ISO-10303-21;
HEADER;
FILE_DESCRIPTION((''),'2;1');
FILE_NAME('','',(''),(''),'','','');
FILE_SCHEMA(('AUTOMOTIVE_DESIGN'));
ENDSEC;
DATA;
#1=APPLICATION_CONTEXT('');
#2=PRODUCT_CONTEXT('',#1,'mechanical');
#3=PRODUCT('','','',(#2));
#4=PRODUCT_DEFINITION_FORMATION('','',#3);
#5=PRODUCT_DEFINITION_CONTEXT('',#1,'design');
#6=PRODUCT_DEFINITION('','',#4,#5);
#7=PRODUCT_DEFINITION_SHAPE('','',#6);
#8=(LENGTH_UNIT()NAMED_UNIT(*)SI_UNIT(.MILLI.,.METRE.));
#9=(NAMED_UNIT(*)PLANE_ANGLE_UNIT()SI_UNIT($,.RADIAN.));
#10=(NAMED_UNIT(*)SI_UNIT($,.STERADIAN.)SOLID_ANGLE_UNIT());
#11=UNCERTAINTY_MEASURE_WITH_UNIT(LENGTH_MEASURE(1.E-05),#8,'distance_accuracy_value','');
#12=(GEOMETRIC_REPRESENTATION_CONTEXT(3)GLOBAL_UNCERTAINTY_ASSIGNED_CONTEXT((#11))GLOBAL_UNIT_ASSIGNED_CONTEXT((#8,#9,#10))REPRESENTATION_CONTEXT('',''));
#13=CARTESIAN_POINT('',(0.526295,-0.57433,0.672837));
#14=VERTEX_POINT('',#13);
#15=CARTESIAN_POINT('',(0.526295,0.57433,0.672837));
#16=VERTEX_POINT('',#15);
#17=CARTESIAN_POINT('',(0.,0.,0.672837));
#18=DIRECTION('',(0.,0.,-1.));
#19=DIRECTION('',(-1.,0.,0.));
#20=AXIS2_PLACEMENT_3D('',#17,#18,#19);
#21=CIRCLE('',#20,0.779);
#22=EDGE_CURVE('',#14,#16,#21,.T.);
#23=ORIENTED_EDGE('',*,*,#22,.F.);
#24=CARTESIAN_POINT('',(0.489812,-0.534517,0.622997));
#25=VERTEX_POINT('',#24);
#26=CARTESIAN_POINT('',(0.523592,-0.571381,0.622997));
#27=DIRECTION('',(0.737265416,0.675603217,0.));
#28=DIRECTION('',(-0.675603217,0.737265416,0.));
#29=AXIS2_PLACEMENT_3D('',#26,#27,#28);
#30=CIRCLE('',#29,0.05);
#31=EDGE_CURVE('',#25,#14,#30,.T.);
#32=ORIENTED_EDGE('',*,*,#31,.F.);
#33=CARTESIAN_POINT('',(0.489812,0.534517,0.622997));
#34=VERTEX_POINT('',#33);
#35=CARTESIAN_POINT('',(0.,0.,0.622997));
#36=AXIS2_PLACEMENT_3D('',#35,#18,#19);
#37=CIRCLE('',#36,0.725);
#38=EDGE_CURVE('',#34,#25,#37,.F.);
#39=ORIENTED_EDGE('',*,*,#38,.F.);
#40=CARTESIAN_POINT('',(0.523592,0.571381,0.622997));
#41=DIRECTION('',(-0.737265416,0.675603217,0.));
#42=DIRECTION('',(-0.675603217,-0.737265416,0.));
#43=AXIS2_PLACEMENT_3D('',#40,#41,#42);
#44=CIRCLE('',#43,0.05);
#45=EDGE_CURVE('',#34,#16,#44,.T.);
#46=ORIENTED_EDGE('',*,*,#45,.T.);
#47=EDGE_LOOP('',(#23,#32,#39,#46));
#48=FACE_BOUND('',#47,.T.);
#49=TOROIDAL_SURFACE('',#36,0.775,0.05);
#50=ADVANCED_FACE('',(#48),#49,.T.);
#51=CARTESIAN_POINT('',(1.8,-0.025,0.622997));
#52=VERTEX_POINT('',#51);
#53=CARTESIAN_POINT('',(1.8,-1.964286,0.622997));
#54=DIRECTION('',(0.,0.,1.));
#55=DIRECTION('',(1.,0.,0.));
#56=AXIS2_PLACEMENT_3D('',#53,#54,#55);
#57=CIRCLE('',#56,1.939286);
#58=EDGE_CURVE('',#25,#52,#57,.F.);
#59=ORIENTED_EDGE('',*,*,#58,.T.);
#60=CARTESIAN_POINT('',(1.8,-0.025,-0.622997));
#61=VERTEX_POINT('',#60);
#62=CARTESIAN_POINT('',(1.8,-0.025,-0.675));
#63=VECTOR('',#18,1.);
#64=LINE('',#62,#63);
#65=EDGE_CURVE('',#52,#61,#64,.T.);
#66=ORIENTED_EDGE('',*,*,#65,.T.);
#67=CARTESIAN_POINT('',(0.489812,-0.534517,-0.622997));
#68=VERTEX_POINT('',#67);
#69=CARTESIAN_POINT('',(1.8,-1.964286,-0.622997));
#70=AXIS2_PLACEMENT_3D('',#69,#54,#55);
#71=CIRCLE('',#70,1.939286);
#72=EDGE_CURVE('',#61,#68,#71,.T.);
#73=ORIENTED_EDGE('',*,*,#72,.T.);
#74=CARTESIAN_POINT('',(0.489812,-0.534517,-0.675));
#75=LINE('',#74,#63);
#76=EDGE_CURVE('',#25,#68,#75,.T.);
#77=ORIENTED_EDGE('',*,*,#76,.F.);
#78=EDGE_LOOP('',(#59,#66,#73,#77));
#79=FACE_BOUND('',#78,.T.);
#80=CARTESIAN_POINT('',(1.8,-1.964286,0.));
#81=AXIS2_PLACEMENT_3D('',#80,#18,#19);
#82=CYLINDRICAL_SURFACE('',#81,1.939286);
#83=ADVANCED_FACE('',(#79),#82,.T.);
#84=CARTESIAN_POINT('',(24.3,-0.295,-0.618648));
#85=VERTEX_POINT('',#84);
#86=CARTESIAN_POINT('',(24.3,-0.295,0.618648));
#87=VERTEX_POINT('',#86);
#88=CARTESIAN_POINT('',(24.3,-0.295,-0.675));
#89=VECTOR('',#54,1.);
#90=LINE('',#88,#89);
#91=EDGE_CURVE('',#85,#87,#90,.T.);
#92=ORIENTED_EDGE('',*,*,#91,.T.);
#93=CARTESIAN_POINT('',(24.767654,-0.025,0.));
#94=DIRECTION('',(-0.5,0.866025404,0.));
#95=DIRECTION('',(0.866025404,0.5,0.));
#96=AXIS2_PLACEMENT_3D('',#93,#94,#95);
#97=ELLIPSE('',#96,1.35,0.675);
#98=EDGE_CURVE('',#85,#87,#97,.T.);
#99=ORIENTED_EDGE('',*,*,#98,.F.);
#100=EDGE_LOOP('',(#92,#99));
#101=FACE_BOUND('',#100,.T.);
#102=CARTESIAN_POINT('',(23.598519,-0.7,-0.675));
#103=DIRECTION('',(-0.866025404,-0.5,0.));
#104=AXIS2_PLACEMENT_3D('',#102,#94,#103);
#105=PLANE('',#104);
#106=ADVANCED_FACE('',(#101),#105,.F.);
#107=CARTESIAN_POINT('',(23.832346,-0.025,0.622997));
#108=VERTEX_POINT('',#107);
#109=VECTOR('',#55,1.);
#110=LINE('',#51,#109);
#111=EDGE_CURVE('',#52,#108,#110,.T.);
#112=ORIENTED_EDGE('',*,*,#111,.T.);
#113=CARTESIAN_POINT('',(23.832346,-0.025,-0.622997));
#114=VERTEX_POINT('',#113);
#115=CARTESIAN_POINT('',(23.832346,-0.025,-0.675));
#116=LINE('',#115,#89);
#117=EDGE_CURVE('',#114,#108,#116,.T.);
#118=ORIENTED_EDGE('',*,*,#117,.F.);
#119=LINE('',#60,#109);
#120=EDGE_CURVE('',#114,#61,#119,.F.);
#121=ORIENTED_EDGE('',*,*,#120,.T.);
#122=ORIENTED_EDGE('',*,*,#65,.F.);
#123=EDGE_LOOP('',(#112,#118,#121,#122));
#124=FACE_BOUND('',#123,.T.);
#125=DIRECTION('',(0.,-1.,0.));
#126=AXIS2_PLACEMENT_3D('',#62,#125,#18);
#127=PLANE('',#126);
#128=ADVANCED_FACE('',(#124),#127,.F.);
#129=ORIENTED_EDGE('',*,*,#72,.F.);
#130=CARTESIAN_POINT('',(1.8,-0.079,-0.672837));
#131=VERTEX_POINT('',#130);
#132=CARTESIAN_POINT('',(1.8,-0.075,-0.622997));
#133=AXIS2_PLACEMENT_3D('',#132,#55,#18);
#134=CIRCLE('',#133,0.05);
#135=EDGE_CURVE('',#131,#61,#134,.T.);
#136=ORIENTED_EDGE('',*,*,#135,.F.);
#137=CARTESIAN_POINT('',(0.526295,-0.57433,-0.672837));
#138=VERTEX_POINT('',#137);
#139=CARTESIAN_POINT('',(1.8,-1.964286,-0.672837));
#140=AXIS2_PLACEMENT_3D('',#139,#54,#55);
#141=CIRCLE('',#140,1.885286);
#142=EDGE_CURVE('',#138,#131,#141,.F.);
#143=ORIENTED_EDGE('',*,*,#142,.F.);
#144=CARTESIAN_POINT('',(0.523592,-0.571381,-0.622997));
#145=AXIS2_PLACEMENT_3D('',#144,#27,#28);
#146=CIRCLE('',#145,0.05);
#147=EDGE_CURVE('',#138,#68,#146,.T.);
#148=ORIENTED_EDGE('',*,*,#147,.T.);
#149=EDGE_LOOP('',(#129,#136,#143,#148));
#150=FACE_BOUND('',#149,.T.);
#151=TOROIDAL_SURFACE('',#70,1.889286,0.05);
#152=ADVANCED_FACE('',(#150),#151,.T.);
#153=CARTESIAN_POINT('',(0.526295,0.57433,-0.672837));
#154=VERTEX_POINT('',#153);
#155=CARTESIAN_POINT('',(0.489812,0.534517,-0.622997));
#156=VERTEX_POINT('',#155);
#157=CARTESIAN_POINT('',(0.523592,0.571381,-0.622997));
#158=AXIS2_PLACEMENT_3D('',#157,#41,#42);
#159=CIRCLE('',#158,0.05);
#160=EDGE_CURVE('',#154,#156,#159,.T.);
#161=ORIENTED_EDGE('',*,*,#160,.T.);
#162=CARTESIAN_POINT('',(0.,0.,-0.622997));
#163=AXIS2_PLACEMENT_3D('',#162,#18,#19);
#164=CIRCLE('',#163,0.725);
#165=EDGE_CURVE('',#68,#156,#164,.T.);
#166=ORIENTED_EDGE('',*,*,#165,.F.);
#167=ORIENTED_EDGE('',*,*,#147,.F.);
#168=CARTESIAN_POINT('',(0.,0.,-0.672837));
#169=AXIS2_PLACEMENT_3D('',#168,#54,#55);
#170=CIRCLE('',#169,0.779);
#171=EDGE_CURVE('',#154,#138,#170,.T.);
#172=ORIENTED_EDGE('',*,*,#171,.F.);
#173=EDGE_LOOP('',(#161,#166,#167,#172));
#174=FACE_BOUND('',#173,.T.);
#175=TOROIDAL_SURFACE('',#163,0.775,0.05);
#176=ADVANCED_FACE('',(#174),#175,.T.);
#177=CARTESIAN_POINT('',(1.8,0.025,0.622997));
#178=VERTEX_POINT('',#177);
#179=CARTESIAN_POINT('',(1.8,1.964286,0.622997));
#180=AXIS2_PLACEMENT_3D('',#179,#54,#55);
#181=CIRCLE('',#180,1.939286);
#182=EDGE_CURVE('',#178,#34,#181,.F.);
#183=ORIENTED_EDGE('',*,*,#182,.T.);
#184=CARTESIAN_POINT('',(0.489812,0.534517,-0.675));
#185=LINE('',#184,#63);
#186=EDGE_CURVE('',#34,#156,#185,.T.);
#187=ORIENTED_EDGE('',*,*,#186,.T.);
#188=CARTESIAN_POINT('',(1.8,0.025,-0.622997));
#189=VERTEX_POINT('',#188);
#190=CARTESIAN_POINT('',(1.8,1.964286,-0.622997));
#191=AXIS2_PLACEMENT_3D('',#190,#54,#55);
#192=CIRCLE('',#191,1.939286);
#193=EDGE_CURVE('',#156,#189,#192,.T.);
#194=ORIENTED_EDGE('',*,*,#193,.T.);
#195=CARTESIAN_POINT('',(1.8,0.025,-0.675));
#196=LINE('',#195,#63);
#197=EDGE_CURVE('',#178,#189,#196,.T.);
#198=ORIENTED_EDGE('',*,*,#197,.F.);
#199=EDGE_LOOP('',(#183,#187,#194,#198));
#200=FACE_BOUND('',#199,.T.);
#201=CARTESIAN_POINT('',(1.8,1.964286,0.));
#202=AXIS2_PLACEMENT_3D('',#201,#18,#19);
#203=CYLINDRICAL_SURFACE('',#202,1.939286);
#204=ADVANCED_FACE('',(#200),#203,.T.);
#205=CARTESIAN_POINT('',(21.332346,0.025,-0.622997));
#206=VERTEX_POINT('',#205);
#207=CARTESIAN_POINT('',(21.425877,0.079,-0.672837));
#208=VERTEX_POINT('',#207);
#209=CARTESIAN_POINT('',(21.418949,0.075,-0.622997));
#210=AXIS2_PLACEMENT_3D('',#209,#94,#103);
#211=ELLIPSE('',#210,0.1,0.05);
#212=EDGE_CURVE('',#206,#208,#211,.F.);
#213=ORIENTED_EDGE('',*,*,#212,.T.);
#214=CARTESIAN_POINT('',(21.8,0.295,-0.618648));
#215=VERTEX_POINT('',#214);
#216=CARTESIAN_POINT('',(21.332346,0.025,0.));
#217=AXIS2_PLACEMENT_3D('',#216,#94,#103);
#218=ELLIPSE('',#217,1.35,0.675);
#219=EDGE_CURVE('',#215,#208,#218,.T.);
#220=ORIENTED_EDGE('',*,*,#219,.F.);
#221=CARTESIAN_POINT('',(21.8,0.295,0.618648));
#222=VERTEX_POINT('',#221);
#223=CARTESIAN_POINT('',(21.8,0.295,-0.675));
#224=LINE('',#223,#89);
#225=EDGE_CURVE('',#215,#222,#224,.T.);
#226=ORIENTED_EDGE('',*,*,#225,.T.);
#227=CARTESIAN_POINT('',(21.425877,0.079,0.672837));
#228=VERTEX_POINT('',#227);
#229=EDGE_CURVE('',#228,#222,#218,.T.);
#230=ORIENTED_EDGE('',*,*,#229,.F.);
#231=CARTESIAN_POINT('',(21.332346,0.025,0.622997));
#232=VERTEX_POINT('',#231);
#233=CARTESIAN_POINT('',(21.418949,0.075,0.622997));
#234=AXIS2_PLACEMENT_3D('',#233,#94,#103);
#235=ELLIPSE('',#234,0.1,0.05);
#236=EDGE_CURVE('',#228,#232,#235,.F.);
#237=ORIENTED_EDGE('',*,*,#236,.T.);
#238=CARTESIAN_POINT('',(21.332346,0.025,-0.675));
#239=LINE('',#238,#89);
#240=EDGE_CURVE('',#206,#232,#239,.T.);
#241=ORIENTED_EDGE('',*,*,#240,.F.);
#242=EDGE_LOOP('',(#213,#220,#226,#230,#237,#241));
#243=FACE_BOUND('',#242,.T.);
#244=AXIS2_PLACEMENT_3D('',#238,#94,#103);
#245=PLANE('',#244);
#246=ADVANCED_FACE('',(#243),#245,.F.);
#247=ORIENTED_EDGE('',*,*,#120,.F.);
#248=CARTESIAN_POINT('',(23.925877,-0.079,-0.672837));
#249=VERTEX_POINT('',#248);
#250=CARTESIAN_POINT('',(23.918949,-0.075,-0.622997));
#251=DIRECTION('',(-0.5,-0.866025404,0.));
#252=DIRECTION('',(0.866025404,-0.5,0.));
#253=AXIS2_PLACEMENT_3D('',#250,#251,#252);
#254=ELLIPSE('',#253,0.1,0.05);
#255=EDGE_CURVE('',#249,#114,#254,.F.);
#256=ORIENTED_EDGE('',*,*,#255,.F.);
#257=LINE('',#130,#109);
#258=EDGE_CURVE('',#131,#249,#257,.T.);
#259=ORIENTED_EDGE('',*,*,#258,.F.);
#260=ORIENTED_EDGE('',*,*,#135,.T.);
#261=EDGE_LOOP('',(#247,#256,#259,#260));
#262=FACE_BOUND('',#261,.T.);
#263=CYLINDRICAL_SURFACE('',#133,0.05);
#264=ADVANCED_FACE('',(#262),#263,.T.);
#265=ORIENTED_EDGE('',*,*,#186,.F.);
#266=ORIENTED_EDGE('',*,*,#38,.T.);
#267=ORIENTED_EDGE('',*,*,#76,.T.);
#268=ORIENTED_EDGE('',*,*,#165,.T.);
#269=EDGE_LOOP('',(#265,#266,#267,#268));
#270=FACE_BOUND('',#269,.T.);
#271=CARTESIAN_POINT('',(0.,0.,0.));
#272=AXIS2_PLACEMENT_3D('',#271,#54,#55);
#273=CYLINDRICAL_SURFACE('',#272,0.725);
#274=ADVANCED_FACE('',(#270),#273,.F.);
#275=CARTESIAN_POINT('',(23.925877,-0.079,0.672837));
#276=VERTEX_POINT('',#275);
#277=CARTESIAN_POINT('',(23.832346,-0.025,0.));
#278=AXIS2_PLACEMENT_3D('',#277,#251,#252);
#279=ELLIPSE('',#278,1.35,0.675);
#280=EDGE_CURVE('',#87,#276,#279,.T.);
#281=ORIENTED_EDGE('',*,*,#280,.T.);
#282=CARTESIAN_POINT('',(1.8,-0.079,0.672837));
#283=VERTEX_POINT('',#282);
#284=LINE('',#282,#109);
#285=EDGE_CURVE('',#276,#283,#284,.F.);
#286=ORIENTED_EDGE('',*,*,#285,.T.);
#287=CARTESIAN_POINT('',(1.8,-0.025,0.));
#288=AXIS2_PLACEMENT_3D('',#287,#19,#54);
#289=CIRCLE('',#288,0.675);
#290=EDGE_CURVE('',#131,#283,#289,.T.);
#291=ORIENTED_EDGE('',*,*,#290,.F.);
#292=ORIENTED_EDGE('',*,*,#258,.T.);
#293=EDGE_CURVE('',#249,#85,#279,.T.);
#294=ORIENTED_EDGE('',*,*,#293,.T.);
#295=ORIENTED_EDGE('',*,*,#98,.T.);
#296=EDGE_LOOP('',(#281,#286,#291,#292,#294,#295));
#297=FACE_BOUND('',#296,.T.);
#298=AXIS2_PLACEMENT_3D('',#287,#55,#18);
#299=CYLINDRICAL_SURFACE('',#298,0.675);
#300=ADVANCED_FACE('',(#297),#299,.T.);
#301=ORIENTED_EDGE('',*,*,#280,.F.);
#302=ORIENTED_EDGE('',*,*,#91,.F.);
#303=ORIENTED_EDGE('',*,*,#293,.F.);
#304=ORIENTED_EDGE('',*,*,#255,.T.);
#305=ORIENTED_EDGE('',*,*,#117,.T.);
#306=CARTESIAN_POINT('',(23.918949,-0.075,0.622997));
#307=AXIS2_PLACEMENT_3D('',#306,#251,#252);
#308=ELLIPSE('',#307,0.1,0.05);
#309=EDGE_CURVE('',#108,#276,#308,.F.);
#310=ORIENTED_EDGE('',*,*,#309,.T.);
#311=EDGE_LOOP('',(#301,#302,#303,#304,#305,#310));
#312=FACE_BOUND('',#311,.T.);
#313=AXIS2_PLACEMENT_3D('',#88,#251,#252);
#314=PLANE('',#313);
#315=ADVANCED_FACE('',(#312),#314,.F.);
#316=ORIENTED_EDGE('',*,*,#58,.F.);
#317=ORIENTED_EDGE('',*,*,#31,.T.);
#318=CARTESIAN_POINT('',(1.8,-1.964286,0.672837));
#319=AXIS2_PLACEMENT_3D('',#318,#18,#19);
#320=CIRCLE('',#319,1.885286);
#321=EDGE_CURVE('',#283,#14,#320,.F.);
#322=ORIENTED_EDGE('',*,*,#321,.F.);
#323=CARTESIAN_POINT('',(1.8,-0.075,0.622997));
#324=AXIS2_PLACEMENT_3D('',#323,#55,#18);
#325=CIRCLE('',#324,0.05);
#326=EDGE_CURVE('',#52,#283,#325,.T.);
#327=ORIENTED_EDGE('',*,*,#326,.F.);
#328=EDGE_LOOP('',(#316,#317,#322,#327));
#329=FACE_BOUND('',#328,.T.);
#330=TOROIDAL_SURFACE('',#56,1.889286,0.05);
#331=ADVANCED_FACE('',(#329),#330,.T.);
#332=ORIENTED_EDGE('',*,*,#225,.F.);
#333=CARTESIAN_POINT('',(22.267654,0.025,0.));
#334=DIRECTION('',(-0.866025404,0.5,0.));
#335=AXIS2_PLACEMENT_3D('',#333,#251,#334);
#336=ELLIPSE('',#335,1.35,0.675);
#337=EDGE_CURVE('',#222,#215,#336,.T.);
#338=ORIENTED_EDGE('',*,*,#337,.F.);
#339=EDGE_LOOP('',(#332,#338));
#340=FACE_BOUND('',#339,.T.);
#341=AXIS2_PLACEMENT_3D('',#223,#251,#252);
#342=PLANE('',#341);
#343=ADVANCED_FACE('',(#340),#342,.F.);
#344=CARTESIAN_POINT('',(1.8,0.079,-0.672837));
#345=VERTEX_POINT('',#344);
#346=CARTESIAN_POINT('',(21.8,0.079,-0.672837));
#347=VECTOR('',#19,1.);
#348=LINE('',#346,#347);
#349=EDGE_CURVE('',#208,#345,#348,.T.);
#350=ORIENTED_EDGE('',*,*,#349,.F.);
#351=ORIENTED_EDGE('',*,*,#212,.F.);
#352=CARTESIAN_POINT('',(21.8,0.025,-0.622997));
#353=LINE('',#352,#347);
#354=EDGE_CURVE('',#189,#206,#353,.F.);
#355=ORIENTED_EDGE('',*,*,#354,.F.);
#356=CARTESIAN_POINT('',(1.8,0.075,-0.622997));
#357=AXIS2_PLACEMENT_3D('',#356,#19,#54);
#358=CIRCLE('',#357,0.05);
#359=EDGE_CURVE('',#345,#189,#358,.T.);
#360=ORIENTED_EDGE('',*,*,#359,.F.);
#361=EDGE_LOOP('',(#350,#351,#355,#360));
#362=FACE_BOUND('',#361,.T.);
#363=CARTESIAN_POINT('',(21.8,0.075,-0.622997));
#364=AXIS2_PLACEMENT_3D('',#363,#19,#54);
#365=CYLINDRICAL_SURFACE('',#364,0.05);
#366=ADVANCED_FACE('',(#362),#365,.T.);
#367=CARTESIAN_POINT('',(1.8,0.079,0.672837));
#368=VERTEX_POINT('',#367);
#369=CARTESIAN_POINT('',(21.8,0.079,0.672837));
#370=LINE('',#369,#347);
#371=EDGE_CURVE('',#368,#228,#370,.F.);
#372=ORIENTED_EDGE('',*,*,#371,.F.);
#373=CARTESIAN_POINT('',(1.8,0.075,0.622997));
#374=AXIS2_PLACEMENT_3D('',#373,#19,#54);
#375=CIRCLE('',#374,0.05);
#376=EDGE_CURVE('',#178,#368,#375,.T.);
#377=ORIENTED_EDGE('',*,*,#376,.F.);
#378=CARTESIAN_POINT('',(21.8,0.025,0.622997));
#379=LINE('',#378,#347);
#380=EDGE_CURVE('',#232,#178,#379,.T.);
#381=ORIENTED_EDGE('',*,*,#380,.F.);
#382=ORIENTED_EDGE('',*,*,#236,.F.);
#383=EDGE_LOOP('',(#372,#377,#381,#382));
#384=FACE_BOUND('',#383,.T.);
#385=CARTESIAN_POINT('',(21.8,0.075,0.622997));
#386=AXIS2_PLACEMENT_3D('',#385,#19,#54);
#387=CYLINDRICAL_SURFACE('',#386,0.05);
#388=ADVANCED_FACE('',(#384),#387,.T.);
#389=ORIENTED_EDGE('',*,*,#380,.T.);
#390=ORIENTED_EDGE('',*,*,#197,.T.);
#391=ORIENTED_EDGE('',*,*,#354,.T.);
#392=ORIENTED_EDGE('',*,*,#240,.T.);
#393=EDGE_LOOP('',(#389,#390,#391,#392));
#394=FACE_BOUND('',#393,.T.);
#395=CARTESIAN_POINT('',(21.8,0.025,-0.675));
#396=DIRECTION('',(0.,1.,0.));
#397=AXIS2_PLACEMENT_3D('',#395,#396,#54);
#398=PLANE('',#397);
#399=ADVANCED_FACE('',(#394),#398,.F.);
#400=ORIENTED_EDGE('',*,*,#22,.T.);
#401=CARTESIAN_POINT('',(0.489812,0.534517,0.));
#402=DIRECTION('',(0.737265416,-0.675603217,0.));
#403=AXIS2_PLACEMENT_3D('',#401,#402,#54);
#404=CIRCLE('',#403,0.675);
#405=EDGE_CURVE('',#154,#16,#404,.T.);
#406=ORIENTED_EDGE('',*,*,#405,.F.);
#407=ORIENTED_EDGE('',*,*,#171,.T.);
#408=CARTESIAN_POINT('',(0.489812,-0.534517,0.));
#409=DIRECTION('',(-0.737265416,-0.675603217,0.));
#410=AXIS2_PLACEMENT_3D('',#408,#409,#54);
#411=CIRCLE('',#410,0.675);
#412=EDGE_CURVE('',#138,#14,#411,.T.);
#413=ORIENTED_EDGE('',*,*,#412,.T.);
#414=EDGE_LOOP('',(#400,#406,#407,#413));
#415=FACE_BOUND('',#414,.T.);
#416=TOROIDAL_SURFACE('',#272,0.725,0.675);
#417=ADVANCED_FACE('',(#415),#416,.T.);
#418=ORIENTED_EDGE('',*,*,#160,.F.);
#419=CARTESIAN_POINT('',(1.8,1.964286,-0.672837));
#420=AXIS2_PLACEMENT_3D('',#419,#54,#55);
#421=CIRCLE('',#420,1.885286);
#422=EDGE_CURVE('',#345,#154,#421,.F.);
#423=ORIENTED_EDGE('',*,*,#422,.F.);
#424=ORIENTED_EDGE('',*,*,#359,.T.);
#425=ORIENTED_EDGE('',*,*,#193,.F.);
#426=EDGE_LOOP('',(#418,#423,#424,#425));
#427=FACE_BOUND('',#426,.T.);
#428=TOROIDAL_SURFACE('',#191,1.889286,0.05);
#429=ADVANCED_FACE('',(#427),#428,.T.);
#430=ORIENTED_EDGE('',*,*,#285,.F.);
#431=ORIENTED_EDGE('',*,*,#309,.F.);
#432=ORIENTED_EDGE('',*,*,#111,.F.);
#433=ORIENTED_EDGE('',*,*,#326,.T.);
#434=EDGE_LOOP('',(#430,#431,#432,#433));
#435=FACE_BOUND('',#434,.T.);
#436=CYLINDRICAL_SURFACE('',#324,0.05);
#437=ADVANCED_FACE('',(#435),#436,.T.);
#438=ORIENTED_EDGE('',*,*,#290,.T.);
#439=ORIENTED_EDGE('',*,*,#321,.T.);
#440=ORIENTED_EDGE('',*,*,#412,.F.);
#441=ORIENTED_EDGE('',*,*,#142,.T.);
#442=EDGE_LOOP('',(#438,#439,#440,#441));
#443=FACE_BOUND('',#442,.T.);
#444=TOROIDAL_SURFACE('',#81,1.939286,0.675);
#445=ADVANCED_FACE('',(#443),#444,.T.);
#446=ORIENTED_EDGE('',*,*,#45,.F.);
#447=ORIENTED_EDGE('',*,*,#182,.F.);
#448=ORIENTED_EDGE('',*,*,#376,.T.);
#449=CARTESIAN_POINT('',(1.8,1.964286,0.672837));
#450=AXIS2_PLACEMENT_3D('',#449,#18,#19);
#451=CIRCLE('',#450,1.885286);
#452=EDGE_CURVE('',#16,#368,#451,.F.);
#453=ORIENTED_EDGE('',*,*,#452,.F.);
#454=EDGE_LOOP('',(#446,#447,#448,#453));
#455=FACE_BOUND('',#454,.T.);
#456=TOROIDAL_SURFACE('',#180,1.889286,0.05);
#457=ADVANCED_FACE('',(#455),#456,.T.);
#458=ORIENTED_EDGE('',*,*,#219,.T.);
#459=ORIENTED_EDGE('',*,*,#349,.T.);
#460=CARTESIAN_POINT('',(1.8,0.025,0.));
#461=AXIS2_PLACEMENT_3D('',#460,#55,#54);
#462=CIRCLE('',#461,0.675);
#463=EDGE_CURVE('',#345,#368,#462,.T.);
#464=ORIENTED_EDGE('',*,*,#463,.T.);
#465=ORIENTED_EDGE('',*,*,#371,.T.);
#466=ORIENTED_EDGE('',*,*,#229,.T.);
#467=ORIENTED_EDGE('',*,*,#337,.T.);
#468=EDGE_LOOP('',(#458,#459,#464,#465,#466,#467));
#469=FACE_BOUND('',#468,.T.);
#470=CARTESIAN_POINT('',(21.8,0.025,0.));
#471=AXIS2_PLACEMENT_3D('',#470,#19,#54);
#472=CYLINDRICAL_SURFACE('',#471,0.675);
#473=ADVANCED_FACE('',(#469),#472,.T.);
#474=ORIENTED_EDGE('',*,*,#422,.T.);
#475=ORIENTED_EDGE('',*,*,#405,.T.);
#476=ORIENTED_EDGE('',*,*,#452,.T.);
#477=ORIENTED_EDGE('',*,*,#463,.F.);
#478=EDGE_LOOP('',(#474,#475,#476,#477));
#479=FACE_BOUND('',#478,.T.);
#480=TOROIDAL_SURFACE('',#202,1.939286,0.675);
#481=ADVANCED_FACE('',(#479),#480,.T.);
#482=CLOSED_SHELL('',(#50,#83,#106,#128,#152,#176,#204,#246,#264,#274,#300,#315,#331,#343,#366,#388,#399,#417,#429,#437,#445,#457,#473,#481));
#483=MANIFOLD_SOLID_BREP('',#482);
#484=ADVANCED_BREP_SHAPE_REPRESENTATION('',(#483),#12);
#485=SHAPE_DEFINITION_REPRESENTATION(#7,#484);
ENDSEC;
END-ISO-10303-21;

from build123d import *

# Parameters (mm, degrees)
CUT_EXTRUDE1_DEPTH      = 1.6750001
CUT_EXTRUDE1_DEPTH_BACK = 1.6750001
FILLET1_R               = 0.05


with BuildPart() as part:
    # Sweep1: sweep along a path in Sketch1
    with BuildLine(Plane.XY) as sweep1_path:
        Line((21.8, 0.7), (1.8, 0.7))
        ThreePointArc((1.8, 0.7), (1.34176437, 0.785965522), (0.945844504, 1.032171582))
        ThreePointArc((0.945844504, 1.032171582), (-1.4, 0), (0.945844504, -1.032171582))
        ThreePointArc((0.945844504, -1.032171582), (1.34176437, -0.785965522), (1.8, -0.7))
        Line((1.8, -0.7), (24.3, -0.7))
    # Sketch2 → Sweep1 (sweep)
    with BuildSketch(Plane(origin=(21.8, 0, 0), x_dir=(0, 0, -1), z_dir=(1, 0, 0))):
        with BuildLine():
            Line((0.675, 0.025), (-0.675, 0.025))
            ThreePointArc((-0.675, 0.025), (0, 0.7), (0.675, 0.025))
        make_face()
    sweep(path=sweep1_path.line)

    # Sketch3 → Cut-Extrude1 (cut, two sides)
    with BuildSketch(Plane.XY) as cut_extrude1_sk:
        Polygon((21.332346282, 0.025), (21.8, 0.295), (21.098519423, 0.7), (25.3, 0.7), (25.3, -0.7), (23.598519423, -0.7), (24.3, -0.295), (23.832346282, -0.025), (21.8, -0.025), (21.8, 0.025), align=None)
    extrude(amount=CUT_EXTRUDE1_DEPTH, mode=Mode.SUBTRACT)
    extrude(cut_extrude1_sk.sketch, amount=-CUT_EXTRUDE1_DEPTH_BACK, mode=Mode.SUBTRACT)

    # Fillet1
    fillet1_edges = [part.edges().sort_by_distance(p)[0] for p in [
        (12.816173141, -0.025, 0.675),
        (12.816173141, -0.025, -0.675),
        (1.097113144, -0.156862369, -0.675),
        (1.097113144, -0.156862369, 0.675),
        (-0.725, 0, -0.675),
        (-0.725, 0, 0.675),
        (1.097113144, 0.156862369, -0.675),
        (1.097113144, 0.156862369, 0.675),
        (11.566173141, 0.025, -0.675),
        (11.566173141, 0.025, 0.675),
    ]]
    fillet(fillet1_edges, radius=FILLET1_R)


solid = part.part
